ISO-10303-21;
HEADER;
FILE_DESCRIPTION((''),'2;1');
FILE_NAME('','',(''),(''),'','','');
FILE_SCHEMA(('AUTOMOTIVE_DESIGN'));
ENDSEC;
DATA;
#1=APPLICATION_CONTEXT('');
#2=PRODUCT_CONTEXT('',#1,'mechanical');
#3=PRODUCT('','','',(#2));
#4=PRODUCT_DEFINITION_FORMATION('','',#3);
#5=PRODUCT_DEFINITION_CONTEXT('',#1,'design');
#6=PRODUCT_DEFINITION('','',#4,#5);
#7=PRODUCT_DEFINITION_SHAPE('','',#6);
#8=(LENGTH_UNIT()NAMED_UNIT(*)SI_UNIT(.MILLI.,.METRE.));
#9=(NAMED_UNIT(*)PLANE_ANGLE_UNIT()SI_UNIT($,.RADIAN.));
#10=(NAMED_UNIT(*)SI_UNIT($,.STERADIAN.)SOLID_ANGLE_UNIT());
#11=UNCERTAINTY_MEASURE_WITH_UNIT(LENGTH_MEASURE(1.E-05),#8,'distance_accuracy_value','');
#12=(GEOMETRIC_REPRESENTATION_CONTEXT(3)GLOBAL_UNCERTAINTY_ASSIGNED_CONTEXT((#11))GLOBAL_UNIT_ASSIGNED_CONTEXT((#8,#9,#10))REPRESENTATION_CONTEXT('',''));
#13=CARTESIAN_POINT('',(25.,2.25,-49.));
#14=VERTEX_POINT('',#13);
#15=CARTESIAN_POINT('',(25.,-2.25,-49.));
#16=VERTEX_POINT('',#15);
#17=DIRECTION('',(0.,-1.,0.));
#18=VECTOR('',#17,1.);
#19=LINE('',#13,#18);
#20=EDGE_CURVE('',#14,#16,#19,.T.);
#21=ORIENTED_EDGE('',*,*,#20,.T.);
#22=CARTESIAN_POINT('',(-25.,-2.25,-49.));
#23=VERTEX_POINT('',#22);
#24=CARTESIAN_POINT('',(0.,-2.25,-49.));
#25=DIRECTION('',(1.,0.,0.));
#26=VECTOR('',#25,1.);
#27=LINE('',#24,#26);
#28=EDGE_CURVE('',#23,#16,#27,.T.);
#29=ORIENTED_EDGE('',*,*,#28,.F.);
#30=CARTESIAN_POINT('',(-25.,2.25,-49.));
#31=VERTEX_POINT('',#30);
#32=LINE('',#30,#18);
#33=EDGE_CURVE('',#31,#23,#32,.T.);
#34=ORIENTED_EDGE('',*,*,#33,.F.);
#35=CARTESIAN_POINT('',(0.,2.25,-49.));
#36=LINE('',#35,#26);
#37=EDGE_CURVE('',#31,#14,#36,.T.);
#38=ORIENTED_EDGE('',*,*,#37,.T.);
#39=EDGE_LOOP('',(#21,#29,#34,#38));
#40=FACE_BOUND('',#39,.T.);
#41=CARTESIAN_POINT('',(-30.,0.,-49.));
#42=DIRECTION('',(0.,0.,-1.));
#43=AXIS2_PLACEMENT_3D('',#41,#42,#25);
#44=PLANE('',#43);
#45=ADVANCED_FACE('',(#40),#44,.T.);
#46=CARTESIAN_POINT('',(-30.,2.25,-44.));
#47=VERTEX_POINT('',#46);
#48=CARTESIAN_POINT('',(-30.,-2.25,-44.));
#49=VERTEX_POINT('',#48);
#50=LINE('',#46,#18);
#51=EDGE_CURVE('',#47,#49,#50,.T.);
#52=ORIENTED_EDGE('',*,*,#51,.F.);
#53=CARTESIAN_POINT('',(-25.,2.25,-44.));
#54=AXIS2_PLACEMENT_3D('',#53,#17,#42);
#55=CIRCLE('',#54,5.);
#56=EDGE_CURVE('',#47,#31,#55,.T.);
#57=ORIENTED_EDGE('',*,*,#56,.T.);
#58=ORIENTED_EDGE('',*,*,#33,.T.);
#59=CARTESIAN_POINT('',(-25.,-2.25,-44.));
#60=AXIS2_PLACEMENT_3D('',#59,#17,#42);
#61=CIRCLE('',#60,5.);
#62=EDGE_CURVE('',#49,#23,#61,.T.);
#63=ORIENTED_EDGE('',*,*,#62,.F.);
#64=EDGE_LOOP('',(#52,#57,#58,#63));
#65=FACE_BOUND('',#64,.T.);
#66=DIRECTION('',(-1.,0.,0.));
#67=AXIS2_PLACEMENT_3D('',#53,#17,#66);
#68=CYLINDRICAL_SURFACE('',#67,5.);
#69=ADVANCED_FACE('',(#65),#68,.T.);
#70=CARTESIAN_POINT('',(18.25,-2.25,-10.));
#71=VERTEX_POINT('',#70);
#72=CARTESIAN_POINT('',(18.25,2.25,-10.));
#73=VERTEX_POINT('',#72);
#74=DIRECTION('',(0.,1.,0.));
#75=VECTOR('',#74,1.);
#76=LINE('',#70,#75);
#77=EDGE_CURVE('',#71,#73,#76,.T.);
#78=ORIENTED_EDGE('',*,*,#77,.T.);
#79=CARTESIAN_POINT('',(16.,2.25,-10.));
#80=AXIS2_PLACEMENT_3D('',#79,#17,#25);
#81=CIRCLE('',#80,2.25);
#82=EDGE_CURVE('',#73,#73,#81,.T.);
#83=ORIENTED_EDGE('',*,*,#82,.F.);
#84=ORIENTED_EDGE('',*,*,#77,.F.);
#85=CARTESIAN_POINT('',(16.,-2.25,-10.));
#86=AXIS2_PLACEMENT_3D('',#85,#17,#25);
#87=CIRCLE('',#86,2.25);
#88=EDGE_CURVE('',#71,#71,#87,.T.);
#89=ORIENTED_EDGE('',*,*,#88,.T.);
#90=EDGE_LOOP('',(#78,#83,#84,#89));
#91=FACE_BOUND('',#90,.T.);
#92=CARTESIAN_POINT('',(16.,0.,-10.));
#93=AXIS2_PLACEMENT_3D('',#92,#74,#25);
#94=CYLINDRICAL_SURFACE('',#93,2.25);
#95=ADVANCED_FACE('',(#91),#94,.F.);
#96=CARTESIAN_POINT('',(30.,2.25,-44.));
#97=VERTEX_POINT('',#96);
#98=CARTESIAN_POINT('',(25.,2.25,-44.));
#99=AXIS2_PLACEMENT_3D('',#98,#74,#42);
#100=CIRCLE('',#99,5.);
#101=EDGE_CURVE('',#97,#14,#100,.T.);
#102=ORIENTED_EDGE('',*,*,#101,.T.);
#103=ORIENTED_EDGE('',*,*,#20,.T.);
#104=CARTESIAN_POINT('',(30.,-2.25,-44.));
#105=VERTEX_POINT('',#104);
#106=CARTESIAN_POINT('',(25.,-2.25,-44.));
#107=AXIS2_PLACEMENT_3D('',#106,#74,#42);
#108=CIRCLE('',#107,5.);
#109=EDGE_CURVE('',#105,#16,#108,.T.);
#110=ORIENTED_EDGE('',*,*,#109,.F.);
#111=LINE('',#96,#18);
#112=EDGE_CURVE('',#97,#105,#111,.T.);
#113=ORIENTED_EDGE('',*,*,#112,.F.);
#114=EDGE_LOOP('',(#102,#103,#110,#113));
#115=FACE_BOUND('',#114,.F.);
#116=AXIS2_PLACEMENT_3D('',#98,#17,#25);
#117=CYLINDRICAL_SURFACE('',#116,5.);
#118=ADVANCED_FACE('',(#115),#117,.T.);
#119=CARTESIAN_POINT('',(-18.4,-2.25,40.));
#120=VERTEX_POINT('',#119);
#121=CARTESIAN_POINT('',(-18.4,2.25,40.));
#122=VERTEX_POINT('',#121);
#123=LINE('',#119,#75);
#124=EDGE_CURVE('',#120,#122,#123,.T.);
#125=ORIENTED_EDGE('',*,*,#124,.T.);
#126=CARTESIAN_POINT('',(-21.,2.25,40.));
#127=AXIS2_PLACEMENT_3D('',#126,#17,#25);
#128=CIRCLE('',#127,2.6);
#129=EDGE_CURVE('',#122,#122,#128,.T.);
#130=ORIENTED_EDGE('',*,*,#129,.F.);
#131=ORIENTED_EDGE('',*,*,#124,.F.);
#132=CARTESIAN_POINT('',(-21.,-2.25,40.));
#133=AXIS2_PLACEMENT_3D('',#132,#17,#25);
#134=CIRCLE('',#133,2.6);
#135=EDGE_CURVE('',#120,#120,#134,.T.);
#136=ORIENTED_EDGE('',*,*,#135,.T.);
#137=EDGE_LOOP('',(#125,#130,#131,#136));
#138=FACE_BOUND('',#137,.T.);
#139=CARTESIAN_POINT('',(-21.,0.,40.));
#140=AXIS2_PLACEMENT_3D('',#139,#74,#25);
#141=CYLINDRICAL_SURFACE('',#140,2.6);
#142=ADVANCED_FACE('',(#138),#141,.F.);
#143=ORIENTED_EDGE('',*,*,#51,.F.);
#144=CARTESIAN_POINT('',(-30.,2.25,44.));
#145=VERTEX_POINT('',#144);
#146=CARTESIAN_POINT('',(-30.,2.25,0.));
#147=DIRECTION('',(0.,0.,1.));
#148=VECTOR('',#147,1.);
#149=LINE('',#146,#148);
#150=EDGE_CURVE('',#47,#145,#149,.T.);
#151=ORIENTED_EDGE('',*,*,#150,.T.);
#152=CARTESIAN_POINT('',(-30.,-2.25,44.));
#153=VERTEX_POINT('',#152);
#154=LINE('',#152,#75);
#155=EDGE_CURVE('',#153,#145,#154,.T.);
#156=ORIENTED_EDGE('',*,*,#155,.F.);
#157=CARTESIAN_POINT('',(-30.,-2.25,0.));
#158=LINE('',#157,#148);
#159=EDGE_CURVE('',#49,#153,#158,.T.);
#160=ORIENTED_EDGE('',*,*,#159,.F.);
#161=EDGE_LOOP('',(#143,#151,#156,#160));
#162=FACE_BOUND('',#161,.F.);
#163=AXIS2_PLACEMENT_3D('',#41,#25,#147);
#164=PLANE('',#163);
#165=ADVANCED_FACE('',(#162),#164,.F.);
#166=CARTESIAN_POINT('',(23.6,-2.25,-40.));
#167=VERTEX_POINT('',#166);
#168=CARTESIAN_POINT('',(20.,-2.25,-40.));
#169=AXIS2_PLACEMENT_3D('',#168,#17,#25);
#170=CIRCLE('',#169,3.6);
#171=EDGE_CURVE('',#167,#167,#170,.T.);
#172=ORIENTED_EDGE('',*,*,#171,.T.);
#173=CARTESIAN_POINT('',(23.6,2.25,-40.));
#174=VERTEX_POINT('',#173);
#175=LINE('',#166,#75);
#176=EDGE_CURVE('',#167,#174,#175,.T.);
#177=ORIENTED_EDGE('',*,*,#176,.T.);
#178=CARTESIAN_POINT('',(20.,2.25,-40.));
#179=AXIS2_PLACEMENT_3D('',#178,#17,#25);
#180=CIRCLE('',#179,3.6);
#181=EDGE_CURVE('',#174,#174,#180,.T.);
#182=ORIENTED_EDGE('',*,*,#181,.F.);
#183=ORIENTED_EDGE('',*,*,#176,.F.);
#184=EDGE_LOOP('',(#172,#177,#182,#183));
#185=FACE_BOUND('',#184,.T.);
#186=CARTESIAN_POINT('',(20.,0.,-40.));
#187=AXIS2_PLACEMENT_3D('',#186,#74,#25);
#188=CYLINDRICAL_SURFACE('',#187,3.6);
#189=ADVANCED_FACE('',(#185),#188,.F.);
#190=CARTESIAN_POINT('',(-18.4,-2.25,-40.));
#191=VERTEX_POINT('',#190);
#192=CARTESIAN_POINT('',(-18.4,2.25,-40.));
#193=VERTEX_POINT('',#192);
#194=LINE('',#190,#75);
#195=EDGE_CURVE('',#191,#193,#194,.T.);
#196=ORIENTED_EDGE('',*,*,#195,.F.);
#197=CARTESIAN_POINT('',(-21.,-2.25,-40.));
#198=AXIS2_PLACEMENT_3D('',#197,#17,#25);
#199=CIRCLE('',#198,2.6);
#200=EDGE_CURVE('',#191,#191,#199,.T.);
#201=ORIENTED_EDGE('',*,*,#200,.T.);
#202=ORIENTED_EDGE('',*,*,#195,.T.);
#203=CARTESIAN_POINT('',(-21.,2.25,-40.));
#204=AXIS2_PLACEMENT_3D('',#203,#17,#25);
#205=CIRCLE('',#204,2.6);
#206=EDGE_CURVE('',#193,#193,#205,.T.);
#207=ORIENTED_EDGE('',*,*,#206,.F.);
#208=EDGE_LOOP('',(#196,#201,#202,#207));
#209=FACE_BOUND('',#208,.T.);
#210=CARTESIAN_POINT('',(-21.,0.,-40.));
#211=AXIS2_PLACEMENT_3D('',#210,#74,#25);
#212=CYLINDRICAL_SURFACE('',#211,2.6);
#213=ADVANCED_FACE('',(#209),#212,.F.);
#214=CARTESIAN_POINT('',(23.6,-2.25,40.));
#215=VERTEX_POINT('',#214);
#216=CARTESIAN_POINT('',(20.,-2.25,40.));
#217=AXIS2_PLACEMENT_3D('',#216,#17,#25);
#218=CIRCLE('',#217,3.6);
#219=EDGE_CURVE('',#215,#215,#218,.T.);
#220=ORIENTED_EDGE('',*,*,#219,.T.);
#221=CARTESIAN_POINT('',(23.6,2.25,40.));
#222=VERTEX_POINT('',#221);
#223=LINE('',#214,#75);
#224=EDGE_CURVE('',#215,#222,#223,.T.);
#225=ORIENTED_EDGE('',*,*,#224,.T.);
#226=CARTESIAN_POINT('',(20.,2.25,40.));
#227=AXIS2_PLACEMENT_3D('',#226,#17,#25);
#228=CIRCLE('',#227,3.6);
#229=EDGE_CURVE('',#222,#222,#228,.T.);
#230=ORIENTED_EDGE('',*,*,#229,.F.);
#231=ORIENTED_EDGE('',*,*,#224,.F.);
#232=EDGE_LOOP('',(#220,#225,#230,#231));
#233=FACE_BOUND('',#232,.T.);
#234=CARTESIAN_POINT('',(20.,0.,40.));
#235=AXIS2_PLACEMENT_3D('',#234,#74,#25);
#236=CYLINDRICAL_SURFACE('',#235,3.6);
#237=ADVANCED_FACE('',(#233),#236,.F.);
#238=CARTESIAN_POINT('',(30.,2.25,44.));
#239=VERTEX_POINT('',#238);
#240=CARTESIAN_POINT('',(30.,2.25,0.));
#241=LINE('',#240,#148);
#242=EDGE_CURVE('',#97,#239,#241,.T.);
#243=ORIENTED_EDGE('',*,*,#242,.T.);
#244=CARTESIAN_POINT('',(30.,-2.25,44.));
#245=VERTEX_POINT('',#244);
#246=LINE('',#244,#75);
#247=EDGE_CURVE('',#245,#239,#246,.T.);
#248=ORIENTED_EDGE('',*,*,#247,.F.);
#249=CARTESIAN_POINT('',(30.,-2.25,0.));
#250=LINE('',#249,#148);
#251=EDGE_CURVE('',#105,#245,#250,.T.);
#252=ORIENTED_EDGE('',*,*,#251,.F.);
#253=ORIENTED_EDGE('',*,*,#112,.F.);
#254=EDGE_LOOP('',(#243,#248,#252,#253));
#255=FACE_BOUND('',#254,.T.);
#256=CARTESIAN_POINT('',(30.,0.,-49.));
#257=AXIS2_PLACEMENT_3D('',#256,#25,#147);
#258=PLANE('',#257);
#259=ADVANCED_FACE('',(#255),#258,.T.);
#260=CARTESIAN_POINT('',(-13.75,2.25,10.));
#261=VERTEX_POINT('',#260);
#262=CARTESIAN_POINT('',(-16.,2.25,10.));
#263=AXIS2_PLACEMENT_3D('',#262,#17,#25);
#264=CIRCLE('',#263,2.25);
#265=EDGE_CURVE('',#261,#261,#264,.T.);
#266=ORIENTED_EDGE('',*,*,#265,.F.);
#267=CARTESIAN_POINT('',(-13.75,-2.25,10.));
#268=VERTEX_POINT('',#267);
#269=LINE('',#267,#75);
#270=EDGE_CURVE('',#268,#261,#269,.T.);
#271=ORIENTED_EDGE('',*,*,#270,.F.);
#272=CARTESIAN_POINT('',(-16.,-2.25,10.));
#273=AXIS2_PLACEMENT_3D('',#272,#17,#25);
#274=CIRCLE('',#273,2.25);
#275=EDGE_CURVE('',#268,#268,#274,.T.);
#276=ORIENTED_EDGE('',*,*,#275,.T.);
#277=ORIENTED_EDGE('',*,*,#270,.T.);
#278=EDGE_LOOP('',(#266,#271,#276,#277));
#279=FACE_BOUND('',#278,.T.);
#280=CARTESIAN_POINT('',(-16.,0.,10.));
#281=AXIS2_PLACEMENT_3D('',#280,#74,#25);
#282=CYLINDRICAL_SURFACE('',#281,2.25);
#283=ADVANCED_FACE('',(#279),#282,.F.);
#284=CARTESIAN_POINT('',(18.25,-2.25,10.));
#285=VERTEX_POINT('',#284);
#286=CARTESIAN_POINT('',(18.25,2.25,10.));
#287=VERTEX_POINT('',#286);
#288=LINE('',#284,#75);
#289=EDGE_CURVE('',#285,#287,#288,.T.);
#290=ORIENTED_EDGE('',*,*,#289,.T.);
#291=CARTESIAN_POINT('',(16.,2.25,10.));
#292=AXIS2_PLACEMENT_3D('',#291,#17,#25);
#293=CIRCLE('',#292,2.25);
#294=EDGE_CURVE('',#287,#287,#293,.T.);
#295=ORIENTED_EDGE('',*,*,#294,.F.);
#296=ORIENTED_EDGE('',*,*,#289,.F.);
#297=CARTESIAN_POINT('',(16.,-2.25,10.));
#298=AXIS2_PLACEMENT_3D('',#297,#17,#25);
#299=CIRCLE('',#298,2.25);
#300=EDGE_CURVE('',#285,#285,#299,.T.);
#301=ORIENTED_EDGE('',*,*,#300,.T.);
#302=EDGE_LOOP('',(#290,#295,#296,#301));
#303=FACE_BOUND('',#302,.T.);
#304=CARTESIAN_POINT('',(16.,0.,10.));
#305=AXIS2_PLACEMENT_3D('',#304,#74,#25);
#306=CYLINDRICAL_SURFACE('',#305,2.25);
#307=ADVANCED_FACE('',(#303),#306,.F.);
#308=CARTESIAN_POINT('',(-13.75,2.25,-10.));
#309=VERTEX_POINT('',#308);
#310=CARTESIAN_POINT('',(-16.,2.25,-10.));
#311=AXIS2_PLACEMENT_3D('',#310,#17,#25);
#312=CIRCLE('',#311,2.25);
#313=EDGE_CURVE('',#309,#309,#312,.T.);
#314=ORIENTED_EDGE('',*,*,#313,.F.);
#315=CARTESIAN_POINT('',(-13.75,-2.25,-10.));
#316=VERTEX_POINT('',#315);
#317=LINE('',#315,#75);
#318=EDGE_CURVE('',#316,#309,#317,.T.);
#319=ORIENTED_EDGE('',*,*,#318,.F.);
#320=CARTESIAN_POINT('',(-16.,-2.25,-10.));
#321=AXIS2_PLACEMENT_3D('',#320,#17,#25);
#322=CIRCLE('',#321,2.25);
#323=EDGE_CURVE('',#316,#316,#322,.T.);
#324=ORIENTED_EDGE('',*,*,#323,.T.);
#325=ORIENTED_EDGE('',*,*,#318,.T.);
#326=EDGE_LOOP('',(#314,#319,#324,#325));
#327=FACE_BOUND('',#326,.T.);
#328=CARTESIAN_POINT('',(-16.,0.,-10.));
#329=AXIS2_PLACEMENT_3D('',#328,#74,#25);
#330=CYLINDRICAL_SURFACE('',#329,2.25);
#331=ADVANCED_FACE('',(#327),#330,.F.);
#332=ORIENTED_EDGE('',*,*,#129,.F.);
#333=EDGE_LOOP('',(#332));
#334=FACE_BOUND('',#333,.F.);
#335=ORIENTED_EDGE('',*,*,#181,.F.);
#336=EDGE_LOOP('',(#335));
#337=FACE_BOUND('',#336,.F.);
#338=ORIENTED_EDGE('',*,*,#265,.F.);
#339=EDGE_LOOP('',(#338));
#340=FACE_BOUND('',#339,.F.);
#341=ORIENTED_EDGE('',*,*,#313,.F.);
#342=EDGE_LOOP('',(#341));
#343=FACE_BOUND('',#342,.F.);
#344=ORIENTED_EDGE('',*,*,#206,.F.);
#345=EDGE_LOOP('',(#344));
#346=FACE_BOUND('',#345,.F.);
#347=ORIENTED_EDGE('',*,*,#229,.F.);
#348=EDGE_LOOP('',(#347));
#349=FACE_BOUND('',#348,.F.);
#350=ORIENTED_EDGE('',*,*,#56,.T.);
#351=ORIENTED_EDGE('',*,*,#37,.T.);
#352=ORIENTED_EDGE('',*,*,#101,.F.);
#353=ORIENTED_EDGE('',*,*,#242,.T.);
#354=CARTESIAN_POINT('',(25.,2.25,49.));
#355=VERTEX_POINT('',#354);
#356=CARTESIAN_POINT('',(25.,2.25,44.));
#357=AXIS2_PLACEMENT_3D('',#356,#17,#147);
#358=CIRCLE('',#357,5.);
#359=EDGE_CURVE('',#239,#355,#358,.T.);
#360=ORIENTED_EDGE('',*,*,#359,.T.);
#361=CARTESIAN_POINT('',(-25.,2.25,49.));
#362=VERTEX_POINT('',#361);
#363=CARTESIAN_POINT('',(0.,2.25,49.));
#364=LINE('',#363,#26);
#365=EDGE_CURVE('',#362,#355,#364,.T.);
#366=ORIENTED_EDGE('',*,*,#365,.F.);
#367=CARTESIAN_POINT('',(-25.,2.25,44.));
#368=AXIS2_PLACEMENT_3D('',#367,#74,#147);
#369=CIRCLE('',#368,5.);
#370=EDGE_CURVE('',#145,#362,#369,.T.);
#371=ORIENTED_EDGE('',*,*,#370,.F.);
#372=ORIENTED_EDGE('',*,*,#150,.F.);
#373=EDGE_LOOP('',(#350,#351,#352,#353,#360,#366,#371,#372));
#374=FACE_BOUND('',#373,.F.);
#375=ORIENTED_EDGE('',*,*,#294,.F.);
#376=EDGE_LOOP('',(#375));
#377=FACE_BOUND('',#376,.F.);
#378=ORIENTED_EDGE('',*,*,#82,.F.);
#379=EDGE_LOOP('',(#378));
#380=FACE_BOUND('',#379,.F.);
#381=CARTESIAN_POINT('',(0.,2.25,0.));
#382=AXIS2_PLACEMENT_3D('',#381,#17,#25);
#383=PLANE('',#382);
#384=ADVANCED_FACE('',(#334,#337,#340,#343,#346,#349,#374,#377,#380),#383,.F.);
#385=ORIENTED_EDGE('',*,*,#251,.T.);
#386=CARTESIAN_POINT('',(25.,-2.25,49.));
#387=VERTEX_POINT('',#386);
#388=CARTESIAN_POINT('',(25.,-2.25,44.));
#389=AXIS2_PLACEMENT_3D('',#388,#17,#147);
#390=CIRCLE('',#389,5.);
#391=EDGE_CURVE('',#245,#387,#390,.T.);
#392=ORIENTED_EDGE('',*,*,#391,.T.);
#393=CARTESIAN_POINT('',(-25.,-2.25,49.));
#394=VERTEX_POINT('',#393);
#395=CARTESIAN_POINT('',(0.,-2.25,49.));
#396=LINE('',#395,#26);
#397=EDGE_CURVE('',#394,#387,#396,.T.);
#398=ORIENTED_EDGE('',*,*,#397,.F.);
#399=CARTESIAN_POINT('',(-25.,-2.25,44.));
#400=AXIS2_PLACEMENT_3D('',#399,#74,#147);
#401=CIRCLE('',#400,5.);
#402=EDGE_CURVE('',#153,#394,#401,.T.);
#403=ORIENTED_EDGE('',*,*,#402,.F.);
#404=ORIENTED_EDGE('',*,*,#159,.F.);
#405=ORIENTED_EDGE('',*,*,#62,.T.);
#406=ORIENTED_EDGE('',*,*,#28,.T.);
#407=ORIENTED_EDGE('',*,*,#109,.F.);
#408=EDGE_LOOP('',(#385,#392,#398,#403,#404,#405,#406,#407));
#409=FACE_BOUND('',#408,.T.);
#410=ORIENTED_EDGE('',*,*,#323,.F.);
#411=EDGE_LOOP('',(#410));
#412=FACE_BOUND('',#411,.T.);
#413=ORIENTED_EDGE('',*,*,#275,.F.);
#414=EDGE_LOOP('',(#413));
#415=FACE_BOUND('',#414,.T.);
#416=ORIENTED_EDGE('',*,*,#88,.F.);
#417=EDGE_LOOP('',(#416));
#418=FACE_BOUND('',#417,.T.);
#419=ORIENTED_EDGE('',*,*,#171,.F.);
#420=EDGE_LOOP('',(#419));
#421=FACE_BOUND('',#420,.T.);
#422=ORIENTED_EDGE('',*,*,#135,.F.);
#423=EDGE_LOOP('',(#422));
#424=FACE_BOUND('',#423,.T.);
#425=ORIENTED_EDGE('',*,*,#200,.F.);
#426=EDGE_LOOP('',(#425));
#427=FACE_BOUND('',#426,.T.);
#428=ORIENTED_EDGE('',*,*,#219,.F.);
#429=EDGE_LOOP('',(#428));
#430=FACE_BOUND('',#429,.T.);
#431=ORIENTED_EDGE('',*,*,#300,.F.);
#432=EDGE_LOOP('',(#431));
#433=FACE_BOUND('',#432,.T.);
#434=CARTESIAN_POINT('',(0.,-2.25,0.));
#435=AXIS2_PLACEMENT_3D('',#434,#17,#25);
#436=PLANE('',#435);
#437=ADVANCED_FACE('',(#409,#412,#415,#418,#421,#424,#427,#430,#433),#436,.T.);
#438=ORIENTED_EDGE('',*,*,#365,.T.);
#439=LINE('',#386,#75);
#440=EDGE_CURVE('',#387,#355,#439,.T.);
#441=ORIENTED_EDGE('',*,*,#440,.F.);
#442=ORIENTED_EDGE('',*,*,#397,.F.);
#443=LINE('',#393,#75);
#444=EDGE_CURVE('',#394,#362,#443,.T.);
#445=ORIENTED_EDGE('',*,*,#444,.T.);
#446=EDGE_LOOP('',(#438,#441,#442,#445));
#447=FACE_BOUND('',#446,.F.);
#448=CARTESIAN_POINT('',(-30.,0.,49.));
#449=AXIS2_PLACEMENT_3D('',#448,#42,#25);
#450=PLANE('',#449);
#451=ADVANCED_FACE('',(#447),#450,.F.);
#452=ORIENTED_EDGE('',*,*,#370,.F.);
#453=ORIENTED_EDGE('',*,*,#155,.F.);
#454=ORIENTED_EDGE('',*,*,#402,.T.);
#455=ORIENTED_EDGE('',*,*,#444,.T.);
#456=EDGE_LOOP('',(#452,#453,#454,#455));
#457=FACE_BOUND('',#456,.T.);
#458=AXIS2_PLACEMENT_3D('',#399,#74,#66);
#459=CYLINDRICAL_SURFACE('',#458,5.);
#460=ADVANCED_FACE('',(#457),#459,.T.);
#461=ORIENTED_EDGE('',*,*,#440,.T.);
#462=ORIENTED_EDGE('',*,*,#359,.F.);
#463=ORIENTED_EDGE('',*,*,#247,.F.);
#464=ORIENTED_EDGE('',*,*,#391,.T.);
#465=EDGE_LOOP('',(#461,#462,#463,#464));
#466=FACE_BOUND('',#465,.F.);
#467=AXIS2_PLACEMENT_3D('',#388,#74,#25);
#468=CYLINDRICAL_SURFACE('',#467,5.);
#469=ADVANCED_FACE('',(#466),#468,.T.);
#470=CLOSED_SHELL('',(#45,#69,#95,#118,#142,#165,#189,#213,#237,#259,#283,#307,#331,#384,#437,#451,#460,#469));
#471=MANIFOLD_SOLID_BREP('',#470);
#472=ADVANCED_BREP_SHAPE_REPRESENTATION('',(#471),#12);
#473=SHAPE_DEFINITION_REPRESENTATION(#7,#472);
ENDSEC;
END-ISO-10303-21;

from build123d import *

# Parameters (mm, degrees)
F0_W     = 60
F0_H     = 98
F0_R     = 2.6
F0_R_2   = 2.25
F0_R_3   = 3.6
F1_DEPTH = 2.25
F2_R     = 5


with BuildPart() as f1:
    # F0 (on Front) → F1 (new body, symmetric)
    with BuildSketch(Plane.XZ):
        Rectangle(F0_W, F0_H)
        with Locations((-21, -40)):
            Circle(F0_R, mode=Mode.SUBTRACT)
        with Locations((-16, -10)):
            Circle(F0_R_2, mode=Mode.SUBTRACT)
        with Locations((20, -40)):
            Circle(F0_R_3, mode=Mode.SUBTRACT)
        with Locations((16, -10)):
            Circle(F0_R_2, mode=Mode.SUBTRACT)
        with Locations((-16, 10)):
            Circle(F0_R_2, mode=Mode.SUBTRACT)
        with Locations((-21, 40)):
            Circle(F0_R, mode=Mode.SUBTRACT)
        with Locations((16, 10)):
            Circle(F0_R_2, mode=Mode.SUBTRACT)
        with Locations((20, 40)):
            Circle(F0_R_3, mode=Mode.SUBTRACT)
    extrude(amount=F1_DEPTH, both=True)

    # F2
    f2_edges = [f1.edges().sort_by_distance(p)[0] for p in [
        (-30, 0, 49),
        (30, 0, 49),
        (30, 0, -49),
        (-30, 0, -49),
    ]]
    fillet(f2_edges, radius=F2_R)


solid = f1.part
